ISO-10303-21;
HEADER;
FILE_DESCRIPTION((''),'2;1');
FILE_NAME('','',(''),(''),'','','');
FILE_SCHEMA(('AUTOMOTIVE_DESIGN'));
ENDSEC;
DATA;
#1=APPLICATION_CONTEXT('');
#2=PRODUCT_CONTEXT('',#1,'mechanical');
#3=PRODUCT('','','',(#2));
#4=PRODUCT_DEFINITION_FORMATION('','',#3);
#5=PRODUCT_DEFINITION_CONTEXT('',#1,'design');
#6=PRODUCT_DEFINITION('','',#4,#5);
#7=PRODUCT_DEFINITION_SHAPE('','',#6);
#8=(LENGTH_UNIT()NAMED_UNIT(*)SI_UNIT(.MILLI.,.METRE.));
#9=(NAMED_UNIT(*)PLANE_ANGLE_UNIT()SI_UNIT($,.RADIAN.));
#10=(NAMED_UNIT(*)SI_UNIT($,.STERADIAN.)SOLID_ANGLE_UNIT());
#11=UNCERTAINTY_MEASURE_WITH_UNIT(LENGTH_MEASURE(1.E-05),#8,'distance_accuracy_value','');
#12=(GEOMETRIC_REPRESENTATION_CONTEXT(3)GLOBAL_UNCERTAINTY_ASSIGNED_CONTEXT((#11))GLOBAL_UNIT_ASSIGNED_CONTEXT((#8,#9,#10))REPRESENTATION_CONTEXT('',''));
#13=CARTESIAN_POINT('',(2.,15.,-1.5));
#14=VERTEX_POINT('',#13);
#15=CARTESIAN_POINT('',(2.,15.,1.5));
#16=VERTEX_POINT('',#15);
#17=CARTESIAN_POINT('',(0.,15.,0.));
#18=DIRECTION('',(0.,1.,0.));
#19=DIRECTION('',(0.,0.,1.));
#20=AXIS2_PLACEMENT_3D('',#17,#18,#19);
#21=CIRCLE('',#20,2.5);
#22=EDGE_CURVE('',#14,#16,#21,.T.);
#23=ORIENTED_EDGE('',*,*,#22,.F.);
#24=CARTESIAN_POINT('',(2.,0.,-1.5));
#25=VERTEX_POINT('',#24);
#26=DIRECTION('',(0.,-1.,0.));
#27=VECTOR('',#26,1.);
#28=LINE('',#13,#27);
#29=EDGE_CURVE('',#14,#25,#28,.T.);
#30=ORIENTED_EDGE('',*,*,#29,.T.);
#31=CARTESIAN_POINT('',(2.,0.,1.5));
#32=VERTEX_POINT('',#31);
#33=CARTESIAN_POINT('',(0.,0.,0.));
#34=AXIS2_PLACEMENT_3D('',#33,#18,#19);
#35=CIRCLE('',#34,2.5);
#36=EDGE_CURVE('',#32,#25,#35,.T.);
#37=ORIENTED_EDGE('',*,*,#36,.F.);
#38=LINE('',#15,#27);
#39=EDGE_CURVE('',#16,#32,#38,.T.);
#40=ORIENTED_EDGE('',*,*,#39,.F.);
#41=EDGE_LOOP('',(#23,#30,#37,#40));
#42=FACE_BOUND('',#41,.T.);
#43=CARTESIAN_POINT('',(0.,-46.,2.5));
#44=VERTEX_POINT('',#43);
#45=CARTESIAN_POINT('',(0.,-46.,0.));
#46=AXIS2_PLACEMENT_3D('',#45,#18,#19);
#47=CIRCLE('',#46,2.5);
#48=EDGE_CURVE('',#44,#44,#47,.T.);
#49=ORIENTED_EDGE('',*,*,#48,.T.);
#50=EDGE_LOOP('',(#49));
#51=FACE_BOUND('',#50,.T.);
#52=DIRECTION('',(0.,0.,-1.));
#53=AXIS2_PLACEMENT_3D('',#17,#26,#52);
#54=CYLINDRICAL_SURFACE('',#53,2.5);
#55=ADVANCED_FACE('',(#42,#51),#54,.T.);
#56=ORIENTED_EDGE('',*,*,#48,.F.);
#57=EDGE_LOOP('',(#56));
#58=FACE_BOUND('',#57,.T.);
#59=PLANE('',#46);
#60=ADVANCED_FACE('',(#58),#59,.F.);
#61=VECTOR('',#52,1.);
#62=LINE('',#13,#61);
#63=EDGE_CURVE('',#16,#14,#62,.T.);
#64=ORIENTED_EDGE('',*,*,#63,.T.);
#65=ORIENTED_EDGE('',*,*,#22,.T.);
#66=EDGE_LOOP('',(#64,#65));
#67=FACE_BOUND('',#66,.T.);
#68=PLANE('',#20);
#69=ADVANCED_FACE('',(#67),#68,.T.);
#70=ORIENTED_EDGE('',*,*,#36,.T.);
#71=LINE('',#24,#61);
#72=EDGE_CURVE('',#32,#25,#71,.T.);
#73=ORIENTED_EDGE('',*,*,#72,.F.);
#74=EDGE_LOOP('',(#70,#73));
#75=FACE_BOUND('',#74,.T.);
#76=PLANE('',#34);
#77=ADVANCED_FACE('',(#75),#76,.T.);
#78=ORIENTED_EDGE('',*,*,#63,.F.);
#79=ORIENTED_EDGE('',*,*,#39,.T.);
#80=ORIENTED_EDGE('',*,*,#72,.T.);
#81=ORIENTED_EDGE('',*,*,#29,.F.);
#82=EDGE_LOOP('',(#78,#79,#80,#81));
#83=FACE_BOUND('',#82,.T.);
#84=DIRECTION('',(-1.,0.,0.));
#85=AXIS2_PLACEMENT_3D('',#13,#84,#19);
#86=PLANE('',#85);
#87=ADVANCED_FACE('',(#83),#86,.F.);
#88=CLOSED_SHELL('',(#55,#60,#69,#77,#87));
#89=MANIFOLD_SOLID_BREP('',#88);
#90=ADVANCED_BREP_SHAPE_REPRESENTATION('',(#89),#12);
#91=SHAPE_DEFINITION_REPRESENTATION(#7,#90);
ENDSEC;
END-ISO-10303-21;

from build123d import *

# Parameters (mm, degrees)
SALIENTE_EXTRUIR1_DEPTH = 15
CROQUIS2_R              = 2.5
SALIENTE_EXTRUIR2_DEPTH = 46


with BuildPart() as part:
    # Croquis1 → Saliente-Extruir1 (new body)
    with BuildSketch(Plane(origin=(0, 0, 0), x_dir=(1, 0, 0), z_dir=(0, 1, 0))):
        with BuildLine():
            Line((2, 1.5), (2, -1.5))
            ThreePointArc((2, -1.5), (-2.5, 0), (2, 1.5))
        make_face()
    extrude(amount=SALIENTE_EXTRUIR1_DEPTH)

    # Croquis2 → Saliente-Extruir2 (add)
    with BuildSketch(Plane(origin=(0, 0, 0), x_dir=(1, 0, 0), z_dir=(0, 1, 0))):
        Circle(CROQUIS2_R)
    extrude(amount=-SALIENTE_EXTRUIR2_DEPTH)


solid = part.part
